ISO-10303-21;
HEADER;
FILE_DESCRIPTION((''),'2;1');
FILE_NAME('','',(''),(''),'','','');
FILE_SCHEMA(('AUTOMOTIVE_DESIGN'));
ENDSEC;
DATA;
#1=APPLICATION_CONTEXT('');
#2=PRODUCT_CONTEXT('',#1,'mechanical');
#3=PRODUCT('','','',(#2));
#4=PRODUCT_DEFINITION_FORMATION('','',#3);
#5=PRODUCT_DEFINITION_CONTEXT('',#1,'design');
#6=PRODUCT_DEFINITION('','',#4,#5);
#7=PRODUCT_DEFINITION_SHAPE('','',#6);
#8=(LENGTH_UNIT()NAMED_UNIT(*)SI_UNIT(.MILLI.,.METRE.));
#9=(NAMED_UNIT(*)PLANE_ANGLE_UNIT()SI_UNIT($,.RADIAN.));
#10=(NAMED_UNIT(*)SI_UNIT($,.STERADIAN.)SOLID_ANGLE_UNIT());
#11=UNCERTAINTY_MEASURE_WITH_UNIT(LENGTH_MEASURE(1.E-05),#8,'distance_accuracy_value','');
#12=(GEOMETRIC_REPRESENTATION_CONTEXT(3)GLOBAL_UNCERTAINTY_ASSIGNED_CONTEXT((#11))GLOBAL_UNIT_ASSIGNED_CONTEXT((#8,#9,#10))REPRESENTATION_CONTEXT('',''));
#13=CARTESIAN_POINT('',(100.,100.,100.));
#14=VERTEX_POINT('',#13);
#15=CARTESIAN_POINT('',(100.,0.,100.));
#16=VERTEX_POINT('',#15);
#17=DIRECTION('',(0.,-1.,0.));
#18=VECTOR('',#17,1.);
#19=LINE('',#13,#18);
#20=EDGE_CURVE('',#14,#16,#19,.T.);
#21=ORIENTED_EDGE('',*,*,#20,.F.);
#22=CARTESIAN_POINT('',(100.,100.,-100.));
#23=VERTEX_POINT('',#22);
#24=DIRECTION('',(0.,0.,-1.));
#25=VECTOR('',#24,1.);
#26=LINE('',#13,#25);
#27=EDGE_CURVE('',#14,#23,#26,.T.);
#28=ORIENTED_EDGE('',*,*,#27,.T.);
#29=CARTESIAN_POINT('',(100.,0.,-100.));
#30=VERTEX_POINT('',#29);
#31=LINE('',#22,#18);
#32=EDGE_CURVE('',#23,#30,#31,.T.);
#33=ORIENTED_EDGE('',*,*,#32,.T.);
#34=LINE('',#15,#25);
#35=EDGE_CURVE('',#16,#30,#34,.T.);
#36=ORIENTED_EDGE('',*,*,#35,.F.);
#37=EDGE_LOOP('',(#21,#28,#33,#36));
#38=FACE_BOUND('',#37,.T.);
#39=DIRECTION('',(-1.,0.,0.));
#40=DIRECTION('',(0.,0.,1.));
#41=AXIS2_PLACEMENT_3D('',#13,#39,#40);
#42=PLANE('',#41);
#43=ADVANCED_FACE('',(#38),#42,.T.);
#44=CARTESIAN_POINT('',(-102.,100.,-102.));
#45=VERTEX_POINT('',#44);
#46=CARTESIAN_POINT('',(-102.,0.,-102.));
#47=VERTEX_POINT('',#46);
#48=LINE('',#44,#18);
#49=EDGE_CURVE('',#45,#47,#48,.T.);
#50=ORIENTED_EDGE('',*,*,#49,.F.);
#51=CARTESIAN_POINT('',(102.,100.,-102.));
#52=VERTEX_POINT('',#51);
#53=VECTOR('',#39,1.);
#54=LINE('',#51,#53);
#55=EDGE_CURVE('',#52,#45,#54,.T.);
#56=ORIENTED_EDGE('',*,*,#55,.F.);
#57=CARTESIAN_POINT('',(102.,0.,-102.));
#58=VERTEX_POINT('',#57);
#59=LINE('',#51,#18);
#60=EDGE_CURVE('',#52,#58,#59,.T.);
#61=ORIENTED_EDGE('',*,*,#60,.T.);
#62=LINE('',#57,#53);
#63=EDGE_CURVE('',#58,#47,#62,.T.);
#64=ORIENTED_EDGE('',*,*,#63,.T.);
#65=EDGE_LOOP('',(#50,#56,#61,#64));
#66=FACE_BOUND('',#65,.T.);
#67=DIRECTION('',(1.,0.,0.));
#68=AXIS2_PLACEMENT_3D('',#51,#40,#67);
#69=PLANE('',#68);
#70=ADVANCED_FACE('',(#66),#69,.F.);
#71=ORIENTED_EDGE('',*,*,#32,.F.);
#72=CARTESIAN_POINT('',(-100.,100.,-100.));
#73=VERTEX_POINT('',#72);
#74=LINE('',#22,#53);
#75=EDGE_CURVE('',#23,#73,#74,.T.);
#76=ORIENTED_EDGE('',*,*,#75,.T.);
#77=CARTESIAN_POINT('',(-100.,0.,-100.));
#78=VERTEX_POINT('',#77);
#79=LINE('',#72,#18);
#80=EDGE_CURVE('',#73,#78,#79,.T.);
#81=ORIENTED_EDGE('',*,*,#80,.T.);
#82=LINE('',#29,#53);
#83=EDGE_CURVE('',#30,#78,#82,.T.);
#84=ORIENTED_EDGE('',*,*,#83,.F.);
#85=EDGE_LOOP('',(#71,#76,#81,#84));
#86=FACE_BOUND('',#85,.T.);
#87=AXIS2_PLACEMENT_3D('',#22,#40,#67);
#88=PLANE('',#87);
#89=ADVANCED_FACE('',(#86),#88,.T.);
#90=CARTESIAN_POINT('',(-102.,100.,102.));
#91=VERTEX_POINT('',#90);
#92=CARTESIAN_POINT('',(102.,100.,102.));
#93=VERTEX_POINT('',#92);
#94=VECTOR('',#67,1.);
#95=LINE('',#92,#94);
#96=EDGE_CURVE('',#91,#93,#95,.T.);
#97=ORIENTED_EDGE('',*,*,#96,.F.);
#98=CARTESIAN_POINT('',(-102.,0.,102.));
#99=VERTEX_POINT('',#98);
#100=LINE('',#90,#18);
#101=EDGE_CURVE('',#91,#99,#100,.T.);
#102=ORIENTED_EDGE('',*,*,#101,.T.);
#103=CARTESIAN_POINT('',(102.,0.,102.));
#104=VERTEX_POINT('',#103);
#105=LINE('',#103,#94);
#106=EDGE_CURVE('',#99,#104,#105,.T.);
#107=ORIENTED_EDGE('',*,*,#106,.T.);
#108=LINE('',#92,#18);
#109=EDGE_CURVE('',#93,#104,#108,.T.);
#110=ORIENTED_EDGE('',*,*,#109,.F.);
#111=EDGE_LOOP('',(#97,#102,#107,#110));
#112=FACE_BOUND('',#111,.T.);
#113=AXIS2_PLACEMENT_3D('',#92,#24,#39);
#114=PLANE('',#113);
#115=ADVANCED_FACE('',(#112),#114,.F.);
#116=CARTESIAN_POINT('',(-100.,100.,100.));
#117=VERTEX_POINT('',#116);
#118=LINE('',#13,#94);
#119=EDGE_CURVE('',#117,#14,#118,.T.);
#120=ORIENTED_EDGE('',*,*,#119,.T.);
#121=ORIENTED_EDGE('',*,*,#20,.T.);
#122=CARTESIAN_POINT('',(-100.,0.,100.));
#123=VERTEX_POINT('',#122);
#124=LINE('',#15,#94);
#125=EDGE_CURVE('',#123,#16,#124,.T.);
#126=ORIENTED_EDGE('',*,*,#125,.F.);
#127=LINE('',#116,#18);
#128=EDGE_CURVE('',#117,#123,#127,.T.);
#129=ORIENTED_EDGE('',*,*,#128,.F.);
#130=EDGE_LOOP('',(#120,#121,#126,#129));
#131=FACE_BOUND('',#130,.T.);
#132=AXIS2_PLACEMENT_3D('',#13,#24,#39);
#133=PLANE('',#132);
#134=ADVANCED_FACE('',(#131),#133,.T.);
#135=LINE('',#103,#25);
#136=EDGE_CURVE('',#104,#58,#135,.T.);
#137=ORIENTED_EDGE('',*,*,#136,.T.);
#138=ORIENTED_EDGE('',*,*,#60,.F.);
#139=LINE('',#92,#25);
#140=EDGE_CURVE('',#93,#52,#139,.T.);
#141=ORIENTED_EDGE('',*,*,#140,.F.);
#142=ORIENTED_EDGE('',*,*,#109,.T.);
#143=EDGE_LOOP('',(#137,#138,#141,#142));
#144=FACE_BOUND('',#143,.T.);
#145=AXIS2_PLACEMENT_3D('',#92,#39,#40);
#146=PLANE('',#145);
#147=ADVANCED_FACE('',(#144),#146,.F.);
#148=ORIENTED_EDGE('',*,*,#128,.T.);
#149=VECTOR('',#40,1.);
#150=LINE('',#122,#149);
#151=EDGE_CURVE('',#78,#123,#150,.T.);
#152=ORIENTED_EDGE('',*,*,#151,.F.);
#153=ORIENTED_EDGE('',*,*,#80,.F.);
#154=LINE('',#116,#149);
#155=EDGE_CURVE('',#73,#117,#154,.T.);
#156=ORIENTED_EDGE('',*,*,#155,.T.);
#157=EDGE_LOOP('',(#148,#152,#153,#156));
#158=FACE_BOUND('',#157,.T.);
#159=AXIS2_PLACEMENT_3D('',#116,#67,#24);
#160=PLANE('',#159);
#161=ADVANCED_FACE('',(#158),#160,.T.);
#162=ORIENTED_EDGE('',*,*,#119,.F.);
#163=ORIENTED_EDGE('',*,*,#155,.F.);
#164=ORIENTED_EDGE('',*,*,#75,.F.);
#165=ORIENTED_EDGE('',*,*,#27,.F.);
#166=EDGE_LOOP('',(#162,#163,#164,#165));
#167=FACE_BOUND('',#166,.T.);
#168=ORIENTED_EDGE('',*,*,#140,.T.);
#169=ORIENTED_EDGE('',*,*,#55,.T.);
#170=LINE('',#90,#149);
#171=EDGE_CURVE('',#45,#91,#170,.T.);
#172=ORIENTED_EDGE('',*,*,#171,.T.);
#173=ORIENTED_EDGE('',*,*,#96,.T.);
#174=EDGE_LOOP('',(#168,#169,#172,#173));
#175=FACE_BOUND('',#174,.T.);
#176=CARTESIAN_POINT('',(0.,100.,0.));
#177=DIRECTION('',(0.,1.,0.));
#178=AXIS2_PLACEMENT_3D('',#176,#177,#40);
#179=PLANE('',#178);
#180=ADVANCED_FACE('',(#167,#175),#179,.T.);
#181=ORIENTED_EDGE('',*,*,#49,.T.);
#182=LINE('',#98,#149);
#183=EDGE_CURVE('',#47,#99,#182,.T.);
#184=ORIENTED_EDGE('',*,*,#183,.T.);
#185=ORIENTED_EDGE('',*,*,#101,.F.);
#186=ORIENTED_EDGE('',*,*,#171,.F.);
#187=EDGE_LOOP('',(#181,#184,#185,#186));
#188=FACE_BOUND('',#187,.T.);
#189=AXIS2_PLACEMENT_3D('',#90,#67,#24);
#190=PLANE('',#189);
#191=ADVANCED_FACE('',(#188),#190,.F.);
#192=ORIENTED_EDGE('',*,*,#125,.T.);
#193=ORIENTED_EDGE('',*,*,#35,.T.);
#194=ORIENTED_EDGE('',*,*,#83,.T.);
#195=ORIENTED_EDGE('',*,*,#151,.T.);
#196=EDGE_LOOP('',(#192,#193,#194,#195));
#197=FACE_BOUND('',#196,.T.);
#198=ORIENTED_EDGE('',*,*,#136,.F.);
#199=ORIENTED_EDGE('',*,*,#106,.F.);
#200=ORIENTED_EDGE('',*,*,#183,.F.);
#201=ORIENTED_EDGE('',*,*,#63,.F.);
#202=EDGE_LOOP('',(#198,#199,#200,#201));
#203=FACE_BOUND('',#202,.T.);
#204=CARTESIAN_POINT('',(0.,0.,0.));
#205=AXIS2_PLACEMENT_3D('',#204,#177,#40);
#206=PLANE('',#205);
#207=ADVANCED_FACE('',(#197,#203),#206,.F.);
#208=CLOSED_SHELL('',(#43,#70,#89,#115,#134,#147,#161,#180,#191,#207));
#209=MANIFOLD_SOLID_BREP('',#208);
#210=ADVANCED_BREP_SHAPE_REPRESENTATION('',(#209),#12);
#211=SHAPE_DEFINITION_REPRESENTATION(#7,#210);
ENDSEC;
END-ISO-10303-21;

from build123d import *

# Parameters (mm, degrees)
CROQUIS1_W              = 204
CROQUIS1_H              = 204
CROQUIS1_W_2            = 200
CROQUIS1_H_2            = 200
SALIENTE_EXTRUIR1_DEPTH = 100


with BuildPart() as part:
    # Croquis1 → Saliente-Extruir1 (new body)
    with BuildSketch(Plane(origin=(0, 0, 0), x_dir=(1, 0, 0), z_dir=(0, 1, 0))):
        Rectangle(CROQUIS1_W, CROQUIS1_H)
        Rectangle(CROQUIS1_W_2, CROQUIS1_H_2, mode=Mode.SUBTRACT)
    extrude(amount=SALIENTE_EXTRUIR1_DEPTH)


solid = part.part
